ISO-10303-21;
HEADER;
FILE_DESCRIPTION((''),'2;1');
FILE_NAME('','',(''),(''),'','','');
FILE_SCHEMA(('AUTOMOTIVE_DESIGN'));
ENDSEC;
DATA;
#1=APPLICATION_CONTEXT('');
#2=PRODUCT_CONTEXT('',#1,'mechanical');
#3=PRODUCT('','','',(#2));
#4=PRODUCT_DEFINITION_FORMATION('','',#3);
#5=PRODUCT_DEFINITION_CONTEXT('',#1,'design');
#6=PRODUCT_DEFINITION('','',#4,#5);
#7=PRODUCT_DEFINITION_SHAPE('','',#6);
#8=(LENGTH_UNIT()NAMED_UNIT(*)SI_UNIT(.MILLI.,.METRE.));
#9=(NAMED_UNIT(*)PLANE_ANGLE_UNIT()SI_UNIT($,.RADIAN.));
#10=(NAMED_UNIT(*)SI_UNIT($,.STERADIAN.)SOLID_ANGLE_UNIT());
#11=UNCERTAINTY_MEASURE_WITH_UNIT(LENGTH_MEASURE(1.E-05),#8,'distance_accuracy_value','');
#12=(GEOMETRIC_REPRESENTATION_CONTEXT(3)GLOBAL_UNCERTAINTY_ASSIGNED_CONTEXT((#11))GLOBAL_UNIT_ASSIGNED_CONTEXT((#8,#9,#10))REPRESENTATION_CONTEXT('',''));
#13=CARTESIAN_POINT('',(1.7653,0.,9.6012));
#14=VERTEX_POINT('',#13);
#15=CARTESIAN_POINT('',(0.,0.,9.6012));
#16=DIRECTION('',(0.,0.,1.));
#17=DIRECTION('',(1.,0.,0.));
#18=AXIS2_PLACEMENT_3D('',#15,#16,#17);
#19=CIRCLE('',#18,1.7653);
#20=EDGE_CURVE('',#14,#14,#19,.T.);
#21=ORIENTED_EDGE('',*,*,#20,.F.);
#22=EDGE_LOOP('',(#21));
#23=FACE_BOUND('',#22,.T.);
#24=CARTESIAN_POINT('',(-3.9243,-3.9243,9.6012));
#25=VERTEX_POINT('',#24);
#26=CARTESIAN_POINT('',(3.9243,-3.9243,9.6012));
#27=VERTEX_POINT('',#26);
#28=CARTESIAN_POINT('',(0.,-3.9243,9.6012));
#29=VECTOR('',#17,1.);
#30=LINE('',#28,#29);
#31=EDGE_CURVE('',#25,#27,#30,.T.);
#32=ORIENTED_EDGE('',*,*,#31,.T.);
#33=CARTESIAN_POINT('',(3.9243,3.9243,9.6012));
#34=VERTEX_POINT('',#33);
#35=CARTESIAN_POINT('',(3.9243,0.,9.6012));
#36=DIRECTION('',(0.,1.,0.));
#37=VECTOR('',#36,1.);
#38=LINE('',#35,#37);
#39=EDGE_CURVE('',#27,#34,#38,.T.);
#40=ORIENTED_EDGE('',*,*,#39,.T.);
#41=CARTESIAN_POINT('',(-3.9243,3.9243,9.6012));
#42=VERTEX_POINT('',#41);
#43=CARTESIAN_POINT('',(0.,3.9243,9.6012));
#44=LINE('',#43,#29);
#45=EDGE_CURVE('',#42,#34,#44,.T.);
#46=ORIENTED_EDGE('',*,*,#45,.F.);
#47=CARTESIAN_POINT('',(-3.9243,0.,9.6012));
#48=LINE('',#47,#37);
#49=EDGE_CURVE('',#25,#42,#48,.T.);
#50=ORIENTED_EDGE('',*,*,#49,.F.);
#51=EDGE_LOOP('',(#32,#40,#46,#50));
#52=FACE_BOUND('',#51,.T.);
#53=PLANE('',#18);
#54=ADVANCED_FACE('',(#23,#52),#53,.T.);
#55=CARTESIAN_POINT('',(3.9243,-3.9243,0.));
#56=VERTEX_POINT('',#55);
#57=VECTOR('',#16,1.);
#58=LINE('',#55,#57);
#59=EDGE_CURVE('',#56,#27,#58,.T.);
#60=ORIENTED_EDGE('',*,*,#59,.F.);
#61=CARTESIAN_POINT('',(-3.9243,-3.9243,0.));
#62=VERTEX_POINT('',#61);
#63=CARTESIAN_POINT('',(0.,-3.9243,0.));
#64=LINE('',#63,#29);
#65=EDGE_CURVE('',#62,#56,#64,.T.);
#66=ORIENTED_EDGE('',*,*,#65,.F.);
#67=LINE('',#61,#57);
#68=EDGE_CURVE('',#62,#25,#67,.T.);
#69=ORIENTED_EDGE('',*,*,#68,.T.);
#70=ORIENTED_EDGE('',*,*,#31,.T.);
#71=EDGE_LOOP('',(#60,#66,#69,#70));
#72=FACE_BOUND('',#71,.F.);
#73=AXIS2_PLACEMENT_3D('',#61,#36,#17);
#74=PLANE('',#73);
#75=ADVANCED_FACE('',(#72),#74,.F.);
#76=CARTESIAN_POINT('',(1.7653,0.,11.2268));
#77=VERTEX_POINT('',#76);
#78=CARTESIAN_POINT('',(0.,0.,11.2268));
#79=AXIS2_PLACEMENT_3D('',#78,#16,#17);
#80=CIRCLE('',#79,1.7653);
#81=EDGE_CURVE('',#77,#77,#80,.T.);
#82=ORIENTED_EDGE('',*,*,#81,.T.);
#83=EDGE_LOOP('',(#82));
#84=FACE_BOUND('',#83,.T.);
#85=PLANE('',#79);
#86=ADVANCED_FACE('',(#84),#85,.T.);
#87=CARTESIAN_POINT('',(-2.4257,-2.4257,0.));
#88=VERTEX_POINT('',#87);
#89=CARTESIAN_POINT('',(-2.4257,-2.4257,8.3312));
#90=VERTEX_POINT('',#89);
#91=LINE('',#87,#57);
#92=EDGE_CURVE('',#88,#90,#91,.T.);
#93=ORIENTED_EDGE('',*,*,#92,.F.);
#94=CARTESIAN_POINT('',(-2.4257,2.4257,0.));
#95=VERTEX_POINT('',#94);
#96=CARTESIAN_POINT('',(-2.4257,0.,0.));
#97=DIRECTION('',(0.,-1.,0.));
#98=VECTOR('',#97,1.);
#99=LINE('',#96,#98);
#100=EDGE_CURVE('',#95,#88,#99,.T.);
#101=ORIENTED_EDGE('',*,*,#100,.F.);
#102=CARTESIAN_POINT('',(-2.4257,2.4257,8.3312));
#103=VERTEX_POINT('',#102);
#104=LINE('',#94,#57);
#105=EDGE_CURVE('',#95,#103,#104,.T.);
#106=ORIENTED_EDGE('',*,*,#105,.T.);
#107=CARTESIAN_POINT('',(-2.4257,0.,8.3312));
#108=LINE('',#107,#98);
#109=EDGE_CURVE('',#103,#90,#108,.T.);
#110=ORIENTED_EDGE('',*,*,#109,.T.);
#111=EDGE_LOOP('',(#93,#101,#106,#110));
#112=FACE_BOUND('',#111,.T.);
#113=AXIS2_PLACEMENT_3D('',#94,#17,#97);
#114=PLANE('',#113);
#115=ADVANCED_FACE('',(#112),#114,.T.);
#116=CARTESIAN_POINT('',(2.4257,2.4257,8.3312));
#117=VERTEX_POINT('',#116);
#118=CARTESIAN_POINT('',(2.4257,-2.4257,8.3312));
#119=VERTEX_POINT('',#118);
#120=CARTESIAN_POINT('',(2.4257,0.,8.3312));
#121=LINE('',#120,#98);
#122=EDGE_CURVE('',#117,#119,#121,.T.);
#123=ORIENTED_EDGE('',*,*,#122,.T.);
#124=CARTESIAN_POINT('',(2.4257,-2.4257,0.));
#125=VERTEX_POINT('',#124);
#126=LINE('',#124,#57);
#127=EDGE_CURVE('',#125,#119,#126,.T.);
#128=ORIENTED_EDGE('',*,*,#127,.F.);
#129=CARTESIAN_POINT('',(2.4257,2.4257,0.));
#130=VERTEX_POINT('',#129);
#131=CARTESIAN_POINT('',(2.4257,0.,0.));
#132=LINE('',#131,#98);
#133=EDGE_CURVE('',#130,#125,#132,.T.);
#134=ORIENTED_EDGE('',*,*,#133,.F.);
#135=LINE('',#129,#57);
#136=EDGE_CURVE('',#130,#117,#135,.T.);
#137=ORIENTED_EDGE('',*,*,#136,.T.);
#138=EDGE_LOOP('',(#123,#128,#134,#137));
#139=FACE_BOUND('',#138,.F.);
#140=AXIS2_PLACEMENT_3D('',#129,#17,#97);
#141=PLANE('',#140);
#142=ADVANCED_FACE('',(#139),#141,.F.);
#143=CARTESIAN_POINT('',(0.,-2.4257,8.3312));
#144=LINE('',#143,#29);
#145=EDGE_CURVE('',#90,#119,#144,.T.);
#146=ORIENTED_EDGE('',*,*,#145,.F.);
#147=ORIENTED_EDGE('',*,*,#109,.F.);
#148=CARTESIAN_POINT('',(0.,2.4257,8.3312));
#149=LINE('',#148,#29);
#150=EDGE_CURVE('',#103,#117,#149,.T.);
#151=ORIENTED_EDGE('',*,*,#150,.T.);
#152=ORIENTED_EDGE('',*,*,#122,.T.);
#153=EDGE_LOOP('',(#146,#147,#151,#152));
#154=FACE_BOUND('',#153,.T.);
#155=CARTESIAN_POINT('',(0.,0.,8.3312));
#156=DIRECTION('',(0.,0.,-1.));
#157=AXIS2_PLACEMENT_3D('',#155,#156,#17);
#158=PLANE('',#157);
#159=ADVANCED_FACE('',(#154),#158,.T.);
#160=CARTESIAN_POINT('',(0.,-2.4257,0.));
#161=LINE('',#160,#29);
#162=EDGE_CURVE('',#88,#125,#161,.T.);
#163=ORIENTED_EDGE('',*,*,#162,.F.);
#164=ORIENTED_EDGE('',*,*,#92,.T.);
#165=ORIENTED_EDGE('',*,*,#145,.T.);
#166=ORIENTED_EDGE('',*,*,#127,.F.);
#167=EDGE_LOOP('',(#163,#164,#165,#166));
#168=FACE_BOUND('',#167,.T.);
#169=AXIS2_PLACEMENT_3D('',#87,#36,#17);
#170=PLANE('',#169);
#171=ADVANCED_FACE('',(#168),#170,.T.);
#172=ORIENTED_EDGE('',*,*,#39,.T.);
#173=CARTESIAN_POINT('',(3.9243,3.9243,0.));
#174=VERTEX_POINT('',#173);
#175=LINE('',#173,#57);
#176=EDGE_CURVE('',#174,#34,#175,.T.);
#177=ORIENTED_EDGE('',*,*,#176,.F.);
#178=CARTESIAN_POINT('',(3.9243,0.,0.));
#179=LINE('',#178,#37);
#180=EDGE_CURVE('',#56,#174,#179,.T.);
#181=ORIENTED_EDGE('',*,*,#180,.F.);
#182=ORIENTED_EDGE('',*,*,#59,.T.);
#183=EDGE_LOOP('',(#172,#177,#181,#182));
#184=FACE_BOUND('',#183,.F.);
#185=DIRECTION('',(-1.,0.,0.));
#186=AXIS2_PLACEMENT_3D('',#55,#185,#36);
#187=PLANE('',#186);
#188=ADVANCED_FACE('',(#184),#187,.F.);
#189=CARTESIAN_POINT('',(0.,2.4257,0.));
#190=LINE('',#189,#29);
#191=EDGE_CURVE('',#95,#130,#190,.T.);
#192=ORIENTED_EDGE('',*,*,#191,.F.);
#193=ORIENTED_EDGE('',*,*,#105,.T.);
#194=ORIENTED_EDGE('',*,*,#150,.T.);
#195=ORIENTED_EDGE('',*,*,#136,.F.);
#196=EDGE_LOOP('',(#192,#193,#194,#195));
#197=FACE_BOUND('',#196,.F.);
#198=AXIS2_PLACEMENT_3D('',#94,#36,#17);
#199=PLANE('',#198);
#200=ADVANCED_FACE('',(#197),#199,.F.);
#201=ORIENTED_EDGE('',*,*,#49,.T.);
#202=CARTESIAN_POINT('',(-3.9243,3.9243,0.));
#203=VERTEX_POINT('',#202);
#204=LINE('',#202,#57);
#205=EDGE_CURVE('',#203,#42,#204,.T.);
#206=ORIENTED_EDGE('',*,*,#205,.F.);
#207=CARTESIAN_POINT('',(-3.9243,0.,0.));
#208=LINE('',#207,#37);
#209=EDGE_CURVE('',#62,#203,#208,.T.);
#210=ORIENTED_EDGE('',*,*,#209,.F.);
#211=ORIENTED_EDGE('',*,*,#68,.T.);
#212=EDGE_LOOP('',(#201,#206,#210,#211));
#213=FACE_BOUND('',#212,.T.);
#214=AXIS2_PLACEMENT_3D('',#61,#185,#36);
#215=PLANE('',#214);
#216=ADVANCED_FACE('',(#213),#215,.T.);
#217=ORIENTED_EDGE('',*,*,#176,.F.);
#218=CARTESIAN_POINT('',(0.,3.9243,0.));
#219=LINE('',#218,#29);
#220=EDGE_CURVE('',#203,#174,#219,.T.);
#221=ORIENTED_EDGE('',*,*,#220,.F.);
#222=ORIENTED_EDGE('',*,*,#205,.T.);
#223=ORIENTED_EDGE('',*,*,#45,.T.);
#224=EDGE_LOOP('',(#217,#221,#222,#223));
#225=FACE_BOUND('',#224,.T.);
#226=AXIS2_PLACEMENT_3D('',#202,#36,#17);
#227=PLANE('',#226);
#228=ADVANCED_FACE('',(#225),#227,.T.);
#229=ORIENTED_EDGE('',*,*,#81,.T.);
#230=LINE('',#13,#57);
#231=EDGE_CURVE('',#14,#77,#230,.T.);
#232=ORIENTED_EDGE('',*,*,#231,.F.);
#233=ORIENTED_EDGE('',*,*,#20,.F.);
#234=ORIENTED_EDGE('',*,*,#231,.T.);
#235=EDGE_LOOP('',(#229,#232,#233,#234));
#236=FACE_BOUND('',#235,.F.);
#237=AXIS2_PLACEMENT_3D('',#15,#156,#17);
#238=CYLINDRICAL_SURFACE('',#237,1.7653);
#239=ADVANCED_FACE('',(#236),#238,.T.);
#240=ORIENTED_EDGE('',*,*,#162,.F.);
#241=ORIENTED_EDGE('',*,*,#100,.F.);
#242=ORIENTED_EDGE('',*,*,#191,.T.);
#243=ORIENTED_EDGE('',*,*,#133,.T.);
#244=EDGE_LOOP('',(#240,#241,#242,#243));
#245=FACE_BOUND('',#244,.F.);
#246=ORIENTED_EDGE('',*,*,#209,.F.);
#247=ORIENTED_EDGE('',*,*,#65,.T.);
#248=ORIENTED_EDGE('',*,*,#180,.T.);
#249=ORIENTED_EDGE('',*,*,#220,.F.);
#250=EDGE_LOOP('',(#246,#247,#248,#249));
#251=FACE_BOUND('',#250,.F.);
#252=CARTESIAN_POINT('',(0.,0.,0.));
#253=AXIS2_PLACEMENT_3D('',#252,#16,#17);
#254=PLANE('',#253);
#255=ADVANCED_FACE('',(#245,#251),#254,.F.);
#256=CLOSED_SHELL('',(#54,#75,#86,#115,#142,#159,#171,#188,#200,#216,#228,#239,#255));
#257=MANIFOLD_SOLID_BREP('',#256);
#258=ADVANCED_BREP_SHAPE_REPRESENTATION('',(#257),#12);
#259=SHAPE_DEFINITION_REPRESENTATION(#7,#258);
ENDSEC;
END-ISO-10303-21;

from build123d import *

# Parameters (mm, degrees)
F0_W     = 7.8486
F0_H     = 7.8486
F1_DEPTH = 9.6012
F2_R     = 1.7653
F3_DEPTH = 1.6256
F4_W     = 4.8514
F4_H     = 4.8514
F5_DEPTH = 8.3312


with BuildPart() as f1:
    # F0 (on Top) → F1 (new body)
    with BuildSketch(Plane.XY):
        Rectangle(F0_W, F0_H)
    extrude(amount=F1_DEPTH)

    # F2 (on face) → F3 (join)
    with BuildSketch(Plane.XY.offset(9.6012)):
        Circle(F2_R)
    extrude(amount=F3_DEPTH)

    # F4 (on face) → F5 (cut)
    with BuildSketch(Plane(origin=(0, 0, 0), x_dir=(1, 0, 0), z_dir=(0, 0, -1))):
        Rectangle(F4_W, F4_H)
    extrude(amount=-F5_DEPTH, mode=Mode.SUBTRACT)


solid = f1.part
